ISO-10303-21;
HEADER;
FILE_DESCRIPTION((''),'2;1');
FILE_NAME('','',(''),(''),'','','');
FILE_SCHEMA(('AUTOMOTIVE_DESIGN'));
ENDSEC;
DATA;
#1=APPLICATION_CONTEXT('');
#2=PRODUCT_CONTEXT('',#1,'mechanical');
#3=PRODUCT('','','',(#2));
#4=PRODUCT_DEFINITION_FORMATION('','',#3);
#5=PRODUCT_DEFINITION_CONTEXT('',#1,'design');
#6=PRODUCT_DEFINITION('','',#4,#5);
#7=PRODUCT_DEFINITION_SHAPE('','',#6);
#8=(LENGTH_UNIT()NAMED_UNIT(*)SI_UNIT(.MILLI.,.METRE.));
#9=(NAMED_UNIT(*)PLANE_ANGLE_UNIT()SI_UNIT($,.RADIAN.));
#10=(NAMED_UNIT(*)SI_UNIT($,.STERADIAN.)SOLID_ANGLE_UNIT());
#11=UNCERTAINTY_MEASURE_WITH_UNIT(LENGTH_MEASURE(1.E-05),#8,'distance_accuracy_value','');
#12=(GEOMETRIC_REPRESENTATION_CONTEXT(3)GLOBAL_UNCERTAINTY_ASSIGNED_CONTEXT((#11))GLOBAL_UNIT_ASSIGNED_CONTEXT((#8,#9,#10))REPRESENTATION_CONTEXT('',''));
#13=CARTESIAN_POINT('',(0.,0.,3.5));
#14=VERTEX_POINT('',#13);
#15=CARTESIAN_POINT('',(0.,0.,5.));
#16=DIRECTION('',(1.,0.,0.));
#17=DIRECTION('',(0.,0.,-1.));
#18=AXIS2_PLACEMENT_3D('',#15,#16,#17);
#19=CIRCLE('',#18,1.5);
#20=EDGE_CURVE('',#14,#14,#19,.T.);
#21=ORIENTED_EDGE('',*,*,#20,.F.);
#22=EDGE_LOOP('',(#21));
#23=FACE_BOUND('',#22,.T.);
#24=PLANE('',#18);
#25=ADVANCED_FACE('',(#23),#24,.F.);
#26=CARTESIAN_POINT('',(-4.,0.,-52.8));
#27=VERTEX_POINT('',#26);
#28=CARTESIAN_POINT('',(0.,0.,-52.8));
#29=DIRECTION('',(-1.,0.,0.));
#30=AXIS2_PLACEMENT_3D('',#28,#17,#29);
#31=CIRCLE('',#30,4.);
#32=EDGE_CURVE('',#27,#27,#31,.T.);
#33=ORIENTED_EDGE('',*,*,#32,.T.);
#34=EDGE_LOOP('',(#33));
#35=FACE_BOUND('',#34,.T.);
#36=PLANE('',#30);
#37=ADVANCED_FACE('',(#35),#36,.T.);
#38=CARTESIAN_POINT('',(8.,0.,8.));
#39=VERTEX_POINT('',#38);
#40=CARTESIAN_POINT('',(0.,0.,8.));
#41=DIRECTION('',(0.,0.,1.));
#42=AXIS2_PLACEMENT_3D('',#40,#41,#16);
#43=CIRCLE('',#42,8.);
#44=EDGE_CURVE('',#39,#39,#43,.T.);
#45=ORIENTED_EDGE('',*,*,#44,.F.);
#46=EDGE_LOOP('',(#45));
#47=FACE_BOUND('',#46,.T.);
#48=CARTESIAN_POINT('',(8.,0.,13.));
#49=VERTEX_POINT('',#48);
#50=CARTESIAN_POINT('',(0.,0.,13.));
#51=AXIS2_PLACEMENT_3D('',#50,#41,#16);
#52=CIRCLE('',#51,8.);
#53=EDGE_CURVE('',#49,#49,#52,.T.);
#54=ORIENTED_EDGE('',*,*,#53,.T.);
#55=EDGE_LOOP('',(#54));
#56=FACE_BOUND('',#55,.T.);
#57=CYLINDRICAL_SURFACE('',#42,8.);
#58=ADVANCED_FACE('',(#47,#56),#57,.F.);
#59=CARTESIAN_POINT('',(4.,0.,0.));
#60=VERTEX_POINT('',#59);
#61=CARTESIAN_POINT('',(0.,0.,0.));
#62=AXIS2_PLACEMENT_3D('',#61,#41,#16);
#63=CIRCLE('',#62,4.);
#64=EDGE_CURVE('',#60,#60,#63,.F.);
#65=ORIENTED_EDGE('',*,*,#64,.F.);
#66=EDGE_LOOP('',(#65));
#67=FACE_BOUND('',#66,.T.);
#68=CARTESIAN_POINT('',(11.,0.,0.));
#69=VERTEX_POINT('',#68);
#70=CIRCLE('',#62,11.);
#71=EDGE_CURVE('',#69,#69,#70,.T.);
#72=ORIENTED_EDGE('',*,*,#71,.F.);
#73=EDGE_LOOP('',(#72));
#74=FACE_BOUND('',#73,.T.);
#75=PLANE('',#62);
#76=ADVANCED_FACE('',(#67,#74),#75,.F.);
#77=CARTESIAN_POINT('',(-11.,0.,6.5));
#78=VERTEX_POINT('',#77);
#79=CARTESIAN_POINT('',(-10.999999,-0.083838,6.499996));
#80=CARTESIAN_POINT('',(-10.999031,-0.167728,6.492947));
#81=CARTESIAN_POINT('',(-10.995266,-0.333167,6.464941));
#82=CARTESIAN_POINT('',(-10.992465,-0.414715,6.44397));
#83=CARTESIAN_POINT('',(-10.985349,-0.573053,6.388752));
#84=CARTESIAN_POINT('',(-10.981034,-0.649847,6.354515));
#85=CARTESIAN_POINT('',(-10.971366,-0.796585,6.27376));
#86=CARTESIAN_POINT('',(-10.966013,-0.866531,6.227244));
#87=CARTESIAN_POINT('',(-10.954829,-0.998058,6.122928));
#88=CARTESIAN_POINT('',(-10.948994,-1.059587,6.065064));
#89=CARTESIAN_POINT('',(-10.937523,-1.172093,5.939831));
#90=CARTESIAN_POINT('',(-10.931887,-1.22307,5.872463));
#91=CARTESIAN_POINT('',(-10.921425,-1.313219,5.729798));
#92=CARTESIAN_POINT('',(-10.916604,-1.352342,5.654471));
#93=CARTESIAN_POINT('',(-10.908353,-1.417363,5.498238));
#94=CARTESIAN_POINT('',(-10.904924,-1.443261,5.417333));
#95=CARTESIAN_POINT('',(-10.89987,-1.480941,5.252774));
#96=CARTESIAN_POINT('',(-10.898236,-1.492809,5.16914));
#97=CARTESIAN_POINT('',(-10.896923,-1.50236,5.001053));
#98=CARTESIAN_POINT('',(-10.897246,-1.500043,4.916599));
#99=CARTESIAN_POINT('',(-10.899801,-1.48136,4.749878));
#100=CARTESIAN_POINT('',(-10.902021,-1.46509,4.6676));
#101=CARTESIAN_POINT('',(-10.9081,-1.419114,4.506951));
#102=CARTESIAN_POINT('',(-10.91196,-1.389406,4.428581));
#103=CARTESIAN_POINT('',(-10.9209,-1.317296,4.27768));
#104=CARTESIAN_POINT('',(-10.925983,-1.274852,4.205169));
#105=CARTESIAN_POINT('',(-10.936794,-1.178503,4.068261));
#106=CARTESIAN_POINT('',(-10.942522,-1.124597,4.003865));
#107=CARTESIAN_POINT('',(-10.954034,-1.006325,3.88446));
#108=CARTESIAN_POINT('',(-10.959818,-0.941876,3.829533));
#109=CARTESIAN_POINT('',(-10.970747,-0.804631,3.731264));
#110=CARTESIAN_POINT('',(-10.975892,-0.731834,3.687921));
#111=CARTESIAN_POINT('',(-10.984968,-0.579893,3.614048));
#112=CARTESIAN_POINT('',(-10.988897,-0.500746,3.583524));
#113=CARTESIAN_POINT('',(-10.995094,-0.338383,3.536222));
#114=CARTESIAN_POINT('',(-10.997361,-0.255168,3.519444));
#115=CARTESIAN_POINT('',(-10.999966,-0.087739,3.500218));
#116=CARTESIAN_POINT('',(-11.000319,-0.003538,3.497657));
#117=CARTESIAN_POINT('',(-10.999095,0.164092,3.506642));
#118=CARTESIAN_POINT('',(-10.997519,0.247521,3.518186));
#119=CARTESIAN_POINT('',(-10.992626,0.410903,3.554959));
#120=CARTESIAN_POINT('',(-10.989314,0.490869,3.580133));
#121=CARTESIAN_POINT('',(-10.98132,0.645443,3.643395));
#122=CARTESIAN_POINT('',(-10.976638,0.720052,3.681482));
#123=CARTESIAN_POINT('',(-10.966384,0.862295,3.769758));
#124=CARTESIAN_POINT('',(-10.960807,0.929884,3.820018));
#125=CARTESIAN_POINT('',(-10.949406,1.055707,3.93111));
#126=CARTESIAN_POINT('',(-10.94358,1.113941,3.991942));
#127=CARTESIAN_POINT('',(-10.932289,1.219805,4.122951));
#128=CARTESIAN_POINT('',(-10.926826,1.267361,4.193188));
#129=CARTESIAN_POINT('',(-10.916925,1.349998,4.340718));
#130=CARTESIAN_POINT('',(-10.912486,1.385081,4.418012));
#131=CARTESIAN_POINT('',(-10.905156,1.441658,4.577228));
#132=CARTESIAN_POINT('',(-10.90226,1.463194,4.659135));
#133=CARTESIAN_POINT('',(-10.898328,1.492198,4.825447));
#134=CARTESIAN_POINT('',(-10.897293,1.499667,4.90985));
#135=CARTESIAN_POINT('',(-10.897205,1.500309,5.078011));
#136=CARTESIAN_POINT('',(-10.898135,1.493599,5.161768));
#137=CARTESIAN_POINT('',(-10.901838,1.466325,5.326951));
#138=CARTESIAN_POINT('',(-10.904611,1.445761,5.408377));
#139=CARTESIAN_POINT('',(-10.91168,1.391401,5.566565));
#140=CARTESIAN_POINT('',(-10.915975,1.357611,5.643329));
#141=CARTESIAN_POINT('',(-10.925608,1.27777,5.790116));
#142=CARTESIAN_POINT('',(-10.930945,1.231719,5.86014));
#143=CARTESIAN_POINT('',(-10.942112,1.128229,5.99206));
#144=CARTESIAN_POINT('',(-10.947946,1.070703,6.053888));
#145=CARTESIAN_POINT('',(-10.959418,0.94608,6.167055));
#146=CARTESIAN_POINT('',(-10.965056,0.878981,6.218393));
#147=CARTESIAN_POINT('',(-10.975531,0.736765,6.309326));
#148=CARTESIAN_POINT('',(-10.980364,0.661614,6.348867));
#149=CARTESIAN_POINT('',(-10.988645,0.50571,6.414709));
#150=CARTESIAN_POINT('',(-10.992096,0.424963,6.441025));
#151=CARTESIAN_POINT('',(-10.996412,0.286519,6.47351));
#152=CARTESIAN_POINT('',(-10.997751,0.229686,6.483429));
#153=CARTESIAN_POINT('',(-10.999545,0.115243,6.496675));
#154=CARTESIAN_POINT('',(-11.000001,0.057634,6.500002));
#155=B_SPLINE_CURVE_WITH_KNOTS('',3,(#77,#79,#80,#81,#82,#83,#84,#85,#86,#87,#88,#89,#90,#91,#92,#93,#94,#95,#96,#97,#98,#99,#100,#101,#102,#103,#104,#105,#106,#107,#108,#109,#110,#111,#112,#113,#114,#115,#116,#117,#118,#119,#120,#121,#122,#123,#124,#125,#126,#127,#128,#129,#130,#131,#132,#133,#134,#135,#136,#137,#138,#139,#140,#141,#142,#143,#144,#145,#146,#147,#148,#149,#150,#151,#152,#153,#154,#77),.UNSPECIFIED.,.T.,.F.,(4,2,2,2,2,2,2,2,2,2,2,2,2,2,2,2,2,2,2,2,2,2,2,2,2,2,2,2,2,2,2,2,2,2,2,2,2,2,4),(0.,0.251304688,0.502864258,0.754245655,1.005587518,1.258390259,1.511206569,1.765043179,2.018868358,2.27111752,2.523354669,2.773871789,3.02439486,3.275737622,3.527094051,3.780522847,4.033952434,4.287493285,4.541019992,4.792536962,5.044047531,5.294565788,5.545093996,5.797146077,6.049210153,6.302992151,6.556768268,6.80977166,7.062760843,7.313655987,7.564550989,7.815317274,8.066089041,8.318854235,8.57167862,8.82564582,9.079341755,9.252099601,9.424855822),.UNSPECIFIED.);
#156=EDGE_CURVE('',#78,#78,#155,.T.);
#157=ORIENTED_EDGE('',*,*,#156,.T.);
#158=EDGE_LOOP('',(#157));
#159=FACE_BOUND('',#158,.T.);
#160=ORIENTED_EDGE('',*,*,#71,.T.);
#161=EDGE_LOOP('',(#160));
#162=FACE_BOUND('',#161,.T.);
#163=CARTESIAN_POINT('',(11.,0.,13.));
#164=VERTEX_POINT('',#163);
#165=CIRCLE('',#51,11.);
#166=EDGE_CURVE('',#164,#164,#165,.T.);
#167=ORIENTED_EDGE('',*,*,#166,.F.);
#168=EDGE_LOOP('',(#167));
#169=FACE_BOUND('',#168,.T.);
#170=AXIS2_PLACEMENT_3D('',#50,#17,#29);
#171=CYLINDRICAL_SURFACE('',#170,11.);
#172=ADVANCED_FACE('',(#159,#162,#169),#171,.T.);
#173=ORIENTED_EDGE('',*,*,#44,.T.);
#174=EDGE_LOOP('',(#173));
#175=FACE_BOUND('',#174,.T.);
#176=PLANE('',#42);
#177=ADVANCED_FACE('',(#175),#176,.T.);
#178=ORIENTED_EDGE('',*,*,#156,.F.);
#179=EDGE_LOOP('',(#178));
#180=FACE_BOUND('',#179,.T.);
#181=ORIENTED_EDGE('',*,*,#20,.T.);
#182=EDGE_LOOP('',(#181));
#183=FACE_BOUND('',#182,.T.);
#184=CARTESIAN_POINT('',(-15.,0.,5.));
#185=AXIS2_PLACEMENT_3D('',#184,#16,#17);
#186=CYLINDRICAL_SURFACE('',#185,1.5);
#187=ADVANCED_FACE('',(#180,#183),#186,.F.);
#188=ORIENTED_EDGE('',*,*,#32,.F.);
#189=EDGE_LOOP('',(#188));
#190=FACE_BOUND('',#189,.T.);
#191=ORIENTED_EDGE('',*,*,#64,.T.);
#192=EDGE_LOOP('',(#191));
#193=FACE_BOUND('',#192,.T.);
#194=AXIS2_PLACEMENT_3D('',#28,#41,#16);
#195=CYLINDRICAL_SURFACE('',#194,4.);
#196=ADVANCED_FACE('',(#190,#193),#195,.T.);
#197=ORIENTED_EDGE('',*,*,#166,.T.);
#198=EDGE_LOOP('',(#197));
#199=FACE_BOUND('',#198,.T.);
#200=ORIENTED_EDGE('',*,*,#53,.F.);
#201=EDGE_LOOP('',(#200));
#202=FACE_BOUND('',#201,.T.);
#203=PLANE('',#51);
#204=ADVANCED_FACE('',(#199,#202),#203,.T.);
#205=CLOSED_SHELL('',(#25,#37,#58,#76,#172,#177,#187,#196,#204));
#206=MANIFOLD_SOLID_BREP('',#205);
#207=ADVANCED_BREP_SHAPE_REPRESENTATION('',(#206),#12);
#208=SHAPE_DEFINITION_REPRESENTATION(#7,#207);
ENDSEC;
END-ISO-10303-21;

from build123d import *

# Parameters (mm, degrees)
CROQUIS1_R              = 11
SALIENTE_EXTRUIR1_DEPTH = 13
CROQUIS2_R              = 8
CORTAR_EXTRUIR1_DEPTH   = 5
CROQUIS3_R              = 1.5
CORTAR_EXTRUIR2_DEPTH   = 15
CROQUIS4_R              = 4
SALIENTE_EXTRUIR2_DEPTH = 52.8


with BuildPart() as part:
    # Croquis1 → Saliente-Extruir1 (new body)
    with BuildSketch(Plane.XY):
        Circle(CROQUIS1_R)
    extrude(amount=SALIENTE_EXTRUIR1_DEPTH)

    # Croquis2 → Cortar-Extruir1 (cut)
    with BuildSketch(Plane.XY.offset(13)):
        Circle(CROQUIS2_R)
    extrude(amount=-CORTAR_EXTRUIR1_DEPTH, mode=Mode.SUBTRACT)

    # Croquis3 → Cortar-Extruir2 (cut)
    with BuildSketch(Plane(origin=(0, 0, 0), x_dir=(0, 0, -1), z_dir=(1, 0, 0))):
        with Locations((-5, 0)):
            Circle(CROQUIS3_R)
    extrude(amount=-CORTAR_EXTRUIR2_DEPTH, mode=Mode.SUBTRACT)

    # Croquis4 → Saliente-Extruir2 (add)
    with BuildSketch(Plane(origin=(0, 0, 0), x_dir=(-1, 0, 0), z_dir=(0, 0, -1))):
        Circle(CROQUIS4_R)
    extrude(amount=SALIENTE_EXTRUIR2_DEPTH)


solid = part.part
